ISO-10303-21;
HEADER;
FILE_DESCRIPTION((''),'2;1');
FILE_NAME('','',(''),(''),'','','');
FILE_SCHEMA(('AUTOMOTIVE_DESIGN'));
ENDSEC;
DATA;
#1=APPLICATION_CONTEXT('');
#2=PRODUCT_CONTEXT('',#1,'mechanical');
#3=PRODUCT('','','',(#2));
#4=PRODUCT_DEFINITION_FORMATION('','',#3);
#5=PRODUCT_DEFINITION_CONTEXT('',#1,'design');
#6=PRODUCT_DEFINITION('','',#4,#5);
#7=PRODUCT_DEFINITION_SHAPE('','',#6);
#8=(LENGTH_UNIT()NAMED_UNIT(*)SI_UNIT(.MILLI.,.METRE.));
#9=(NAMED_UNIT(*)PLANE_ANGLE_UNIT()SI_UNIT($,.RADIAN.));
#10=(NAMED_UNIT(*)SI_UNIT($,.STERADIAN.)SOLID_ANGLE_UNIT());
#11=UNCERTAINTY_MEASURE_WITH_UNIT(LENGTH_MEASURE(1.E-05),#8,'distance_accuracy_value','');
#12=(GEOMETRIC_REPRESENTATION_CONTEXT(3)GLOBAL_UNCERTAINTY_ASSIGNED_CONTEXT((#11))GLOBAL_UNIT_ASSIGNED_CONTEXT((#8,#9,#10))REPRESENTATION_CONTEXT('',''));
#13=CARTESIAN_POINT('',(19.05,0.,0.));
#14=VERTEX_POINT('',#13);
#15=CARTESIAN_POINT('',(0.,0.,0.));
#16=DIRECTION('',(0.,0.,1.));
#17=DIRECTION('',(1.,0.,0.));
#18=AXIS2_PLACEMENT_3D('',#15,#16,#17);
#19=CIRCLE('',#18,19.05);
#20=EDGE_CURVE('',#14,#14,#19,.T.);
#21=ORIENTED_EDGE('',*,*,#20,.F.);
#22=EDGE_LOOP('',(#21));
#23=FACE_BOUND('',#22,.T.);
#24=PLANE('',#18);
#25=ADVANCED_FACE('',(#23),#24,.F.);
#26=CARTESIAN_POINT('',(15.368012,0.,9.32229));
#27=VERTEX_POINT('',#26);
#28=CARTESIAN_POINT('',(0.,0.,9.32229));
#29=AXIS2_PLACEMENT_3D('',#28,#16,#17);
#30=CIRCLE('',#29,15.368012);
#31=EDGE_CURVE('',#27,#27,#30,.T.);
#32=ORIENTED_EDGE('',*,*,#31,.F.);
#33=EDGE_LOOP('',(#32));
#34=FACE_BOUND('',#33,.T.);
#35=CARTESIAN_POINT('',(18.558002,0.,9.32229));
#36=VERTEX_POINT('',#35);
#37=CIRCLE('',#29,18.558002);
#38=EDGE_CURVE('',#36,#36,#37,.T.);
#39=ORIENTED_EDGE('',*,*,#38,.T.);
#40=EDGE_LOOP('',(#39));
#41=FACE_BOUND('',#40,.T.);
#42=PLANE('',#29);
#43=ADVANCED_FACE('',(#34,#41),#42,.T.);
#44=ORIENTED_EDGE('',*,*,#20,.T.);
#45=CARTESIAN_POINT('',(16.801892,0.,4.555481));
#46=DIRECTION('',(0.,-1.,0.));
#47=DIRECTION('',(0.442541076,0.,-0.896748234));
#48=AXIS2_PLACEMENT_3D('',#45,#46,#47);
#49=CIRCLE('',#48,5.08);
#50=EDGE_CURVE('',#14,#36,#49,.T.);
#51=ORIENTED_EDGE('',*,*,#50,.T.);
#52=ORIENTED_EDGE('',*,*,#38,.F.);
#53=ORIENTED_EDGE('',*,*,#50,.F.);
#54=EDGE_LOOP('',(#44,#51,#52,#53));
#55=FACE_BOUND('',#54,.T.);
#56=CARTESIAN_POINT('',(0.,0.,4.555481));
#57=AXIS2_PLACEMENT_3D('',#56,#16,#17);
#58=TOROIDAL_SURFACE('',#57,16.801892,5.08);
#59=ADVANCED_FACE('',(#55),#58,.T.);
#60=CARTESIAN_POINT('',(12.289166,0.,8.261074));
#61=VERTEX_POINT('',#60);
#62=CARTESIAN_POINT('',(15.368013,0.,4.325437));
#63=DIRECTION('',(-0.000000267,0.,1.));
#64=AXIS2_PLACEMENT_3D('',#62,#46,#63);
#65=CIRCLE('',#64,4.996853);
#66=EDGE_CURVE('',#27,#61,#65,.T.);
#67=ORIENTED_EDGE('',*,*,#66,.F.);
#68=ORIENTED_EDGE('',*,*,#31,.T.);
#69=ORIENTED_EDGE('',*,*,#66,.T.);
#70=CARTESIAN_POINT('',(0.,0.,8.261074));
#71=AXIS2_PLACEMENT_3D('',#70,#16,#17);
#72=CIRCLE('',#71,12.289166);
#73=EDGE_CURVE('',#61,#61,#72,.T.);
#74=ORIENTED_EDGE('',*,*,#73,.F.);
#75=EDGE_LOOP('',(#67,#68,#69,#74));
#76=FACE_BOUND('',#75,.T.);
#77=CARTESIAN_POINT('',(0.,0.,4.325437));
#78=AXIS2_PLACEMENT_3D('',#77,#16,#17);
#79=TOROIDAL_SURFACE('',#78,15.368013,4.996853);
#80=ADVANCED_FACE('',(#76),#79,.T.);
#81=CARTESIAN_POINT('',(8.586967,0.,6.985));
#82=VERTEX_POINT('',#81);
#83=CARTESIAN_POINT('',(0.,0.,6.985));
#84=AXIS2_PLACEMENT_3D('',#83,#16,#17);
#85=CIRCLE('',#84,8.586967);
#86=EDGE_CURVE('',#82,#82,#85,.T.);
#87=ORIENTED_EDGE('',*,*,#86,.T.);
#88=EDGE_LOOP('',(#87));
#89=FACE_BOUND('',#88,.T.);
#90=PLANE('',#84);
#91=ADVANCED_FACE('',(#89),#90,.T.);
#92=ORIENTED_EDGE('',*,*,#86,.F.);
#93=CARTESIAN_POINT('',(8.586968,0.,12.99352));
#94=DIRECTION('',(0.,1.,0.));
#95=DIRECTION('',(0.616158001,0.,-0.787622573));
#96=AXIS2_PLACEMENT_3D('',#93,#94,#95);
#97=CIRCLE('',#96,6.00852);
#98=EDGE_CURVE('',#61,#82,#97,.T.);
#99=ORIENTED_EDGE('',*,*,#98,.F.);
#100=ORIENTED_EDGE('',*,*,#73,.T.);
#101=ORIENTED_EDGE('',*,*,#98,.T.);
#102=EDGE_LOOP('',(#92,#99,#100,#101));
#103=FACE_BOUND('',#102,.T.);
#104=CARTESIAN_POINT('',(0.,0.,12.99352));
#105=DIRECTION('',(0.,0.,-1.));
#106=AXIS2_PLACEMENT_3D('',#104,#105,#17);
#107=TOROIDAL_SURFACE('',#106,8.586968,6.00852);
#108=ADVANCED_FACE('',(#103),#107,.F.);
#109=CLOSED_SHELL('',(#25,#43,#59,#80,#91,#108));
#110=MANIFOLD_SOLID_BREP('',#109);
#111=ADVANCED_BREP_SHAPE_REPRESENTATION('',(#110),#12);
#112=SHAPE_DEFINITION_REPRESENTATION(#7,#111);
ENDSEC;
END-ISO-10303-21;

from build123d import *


with BuildPart() as f1:
    # F0 (on Front) → F1 (revolve)
    with BuildSketch(Plane.XZ):
        with BuildLine():
            Line((0, 6.985), (0, 0))
            Line((0, 0), (19.05, 0))
            ThreePointArc((19.05, 0), (21.874831, 4.823213), (18.558002, 9.32229))
            Line((18.558002, 9.32229), (15.368012, 9.32229))
            ThreePointArc((15.368012, 9.32229), (13.73971, 9.049542), (12.289166, 8.261074))
            ThreePointArc((12.289166, 8.261074), (10.54494, 7.312969), (8.586967, 6.985))
            Line((8.586967, 6.985), (0, 6.985))
        make_face()
    revolve(axis=Axis((0, 0, 6.35), (0, 0, 1)))


solid = f1.part
